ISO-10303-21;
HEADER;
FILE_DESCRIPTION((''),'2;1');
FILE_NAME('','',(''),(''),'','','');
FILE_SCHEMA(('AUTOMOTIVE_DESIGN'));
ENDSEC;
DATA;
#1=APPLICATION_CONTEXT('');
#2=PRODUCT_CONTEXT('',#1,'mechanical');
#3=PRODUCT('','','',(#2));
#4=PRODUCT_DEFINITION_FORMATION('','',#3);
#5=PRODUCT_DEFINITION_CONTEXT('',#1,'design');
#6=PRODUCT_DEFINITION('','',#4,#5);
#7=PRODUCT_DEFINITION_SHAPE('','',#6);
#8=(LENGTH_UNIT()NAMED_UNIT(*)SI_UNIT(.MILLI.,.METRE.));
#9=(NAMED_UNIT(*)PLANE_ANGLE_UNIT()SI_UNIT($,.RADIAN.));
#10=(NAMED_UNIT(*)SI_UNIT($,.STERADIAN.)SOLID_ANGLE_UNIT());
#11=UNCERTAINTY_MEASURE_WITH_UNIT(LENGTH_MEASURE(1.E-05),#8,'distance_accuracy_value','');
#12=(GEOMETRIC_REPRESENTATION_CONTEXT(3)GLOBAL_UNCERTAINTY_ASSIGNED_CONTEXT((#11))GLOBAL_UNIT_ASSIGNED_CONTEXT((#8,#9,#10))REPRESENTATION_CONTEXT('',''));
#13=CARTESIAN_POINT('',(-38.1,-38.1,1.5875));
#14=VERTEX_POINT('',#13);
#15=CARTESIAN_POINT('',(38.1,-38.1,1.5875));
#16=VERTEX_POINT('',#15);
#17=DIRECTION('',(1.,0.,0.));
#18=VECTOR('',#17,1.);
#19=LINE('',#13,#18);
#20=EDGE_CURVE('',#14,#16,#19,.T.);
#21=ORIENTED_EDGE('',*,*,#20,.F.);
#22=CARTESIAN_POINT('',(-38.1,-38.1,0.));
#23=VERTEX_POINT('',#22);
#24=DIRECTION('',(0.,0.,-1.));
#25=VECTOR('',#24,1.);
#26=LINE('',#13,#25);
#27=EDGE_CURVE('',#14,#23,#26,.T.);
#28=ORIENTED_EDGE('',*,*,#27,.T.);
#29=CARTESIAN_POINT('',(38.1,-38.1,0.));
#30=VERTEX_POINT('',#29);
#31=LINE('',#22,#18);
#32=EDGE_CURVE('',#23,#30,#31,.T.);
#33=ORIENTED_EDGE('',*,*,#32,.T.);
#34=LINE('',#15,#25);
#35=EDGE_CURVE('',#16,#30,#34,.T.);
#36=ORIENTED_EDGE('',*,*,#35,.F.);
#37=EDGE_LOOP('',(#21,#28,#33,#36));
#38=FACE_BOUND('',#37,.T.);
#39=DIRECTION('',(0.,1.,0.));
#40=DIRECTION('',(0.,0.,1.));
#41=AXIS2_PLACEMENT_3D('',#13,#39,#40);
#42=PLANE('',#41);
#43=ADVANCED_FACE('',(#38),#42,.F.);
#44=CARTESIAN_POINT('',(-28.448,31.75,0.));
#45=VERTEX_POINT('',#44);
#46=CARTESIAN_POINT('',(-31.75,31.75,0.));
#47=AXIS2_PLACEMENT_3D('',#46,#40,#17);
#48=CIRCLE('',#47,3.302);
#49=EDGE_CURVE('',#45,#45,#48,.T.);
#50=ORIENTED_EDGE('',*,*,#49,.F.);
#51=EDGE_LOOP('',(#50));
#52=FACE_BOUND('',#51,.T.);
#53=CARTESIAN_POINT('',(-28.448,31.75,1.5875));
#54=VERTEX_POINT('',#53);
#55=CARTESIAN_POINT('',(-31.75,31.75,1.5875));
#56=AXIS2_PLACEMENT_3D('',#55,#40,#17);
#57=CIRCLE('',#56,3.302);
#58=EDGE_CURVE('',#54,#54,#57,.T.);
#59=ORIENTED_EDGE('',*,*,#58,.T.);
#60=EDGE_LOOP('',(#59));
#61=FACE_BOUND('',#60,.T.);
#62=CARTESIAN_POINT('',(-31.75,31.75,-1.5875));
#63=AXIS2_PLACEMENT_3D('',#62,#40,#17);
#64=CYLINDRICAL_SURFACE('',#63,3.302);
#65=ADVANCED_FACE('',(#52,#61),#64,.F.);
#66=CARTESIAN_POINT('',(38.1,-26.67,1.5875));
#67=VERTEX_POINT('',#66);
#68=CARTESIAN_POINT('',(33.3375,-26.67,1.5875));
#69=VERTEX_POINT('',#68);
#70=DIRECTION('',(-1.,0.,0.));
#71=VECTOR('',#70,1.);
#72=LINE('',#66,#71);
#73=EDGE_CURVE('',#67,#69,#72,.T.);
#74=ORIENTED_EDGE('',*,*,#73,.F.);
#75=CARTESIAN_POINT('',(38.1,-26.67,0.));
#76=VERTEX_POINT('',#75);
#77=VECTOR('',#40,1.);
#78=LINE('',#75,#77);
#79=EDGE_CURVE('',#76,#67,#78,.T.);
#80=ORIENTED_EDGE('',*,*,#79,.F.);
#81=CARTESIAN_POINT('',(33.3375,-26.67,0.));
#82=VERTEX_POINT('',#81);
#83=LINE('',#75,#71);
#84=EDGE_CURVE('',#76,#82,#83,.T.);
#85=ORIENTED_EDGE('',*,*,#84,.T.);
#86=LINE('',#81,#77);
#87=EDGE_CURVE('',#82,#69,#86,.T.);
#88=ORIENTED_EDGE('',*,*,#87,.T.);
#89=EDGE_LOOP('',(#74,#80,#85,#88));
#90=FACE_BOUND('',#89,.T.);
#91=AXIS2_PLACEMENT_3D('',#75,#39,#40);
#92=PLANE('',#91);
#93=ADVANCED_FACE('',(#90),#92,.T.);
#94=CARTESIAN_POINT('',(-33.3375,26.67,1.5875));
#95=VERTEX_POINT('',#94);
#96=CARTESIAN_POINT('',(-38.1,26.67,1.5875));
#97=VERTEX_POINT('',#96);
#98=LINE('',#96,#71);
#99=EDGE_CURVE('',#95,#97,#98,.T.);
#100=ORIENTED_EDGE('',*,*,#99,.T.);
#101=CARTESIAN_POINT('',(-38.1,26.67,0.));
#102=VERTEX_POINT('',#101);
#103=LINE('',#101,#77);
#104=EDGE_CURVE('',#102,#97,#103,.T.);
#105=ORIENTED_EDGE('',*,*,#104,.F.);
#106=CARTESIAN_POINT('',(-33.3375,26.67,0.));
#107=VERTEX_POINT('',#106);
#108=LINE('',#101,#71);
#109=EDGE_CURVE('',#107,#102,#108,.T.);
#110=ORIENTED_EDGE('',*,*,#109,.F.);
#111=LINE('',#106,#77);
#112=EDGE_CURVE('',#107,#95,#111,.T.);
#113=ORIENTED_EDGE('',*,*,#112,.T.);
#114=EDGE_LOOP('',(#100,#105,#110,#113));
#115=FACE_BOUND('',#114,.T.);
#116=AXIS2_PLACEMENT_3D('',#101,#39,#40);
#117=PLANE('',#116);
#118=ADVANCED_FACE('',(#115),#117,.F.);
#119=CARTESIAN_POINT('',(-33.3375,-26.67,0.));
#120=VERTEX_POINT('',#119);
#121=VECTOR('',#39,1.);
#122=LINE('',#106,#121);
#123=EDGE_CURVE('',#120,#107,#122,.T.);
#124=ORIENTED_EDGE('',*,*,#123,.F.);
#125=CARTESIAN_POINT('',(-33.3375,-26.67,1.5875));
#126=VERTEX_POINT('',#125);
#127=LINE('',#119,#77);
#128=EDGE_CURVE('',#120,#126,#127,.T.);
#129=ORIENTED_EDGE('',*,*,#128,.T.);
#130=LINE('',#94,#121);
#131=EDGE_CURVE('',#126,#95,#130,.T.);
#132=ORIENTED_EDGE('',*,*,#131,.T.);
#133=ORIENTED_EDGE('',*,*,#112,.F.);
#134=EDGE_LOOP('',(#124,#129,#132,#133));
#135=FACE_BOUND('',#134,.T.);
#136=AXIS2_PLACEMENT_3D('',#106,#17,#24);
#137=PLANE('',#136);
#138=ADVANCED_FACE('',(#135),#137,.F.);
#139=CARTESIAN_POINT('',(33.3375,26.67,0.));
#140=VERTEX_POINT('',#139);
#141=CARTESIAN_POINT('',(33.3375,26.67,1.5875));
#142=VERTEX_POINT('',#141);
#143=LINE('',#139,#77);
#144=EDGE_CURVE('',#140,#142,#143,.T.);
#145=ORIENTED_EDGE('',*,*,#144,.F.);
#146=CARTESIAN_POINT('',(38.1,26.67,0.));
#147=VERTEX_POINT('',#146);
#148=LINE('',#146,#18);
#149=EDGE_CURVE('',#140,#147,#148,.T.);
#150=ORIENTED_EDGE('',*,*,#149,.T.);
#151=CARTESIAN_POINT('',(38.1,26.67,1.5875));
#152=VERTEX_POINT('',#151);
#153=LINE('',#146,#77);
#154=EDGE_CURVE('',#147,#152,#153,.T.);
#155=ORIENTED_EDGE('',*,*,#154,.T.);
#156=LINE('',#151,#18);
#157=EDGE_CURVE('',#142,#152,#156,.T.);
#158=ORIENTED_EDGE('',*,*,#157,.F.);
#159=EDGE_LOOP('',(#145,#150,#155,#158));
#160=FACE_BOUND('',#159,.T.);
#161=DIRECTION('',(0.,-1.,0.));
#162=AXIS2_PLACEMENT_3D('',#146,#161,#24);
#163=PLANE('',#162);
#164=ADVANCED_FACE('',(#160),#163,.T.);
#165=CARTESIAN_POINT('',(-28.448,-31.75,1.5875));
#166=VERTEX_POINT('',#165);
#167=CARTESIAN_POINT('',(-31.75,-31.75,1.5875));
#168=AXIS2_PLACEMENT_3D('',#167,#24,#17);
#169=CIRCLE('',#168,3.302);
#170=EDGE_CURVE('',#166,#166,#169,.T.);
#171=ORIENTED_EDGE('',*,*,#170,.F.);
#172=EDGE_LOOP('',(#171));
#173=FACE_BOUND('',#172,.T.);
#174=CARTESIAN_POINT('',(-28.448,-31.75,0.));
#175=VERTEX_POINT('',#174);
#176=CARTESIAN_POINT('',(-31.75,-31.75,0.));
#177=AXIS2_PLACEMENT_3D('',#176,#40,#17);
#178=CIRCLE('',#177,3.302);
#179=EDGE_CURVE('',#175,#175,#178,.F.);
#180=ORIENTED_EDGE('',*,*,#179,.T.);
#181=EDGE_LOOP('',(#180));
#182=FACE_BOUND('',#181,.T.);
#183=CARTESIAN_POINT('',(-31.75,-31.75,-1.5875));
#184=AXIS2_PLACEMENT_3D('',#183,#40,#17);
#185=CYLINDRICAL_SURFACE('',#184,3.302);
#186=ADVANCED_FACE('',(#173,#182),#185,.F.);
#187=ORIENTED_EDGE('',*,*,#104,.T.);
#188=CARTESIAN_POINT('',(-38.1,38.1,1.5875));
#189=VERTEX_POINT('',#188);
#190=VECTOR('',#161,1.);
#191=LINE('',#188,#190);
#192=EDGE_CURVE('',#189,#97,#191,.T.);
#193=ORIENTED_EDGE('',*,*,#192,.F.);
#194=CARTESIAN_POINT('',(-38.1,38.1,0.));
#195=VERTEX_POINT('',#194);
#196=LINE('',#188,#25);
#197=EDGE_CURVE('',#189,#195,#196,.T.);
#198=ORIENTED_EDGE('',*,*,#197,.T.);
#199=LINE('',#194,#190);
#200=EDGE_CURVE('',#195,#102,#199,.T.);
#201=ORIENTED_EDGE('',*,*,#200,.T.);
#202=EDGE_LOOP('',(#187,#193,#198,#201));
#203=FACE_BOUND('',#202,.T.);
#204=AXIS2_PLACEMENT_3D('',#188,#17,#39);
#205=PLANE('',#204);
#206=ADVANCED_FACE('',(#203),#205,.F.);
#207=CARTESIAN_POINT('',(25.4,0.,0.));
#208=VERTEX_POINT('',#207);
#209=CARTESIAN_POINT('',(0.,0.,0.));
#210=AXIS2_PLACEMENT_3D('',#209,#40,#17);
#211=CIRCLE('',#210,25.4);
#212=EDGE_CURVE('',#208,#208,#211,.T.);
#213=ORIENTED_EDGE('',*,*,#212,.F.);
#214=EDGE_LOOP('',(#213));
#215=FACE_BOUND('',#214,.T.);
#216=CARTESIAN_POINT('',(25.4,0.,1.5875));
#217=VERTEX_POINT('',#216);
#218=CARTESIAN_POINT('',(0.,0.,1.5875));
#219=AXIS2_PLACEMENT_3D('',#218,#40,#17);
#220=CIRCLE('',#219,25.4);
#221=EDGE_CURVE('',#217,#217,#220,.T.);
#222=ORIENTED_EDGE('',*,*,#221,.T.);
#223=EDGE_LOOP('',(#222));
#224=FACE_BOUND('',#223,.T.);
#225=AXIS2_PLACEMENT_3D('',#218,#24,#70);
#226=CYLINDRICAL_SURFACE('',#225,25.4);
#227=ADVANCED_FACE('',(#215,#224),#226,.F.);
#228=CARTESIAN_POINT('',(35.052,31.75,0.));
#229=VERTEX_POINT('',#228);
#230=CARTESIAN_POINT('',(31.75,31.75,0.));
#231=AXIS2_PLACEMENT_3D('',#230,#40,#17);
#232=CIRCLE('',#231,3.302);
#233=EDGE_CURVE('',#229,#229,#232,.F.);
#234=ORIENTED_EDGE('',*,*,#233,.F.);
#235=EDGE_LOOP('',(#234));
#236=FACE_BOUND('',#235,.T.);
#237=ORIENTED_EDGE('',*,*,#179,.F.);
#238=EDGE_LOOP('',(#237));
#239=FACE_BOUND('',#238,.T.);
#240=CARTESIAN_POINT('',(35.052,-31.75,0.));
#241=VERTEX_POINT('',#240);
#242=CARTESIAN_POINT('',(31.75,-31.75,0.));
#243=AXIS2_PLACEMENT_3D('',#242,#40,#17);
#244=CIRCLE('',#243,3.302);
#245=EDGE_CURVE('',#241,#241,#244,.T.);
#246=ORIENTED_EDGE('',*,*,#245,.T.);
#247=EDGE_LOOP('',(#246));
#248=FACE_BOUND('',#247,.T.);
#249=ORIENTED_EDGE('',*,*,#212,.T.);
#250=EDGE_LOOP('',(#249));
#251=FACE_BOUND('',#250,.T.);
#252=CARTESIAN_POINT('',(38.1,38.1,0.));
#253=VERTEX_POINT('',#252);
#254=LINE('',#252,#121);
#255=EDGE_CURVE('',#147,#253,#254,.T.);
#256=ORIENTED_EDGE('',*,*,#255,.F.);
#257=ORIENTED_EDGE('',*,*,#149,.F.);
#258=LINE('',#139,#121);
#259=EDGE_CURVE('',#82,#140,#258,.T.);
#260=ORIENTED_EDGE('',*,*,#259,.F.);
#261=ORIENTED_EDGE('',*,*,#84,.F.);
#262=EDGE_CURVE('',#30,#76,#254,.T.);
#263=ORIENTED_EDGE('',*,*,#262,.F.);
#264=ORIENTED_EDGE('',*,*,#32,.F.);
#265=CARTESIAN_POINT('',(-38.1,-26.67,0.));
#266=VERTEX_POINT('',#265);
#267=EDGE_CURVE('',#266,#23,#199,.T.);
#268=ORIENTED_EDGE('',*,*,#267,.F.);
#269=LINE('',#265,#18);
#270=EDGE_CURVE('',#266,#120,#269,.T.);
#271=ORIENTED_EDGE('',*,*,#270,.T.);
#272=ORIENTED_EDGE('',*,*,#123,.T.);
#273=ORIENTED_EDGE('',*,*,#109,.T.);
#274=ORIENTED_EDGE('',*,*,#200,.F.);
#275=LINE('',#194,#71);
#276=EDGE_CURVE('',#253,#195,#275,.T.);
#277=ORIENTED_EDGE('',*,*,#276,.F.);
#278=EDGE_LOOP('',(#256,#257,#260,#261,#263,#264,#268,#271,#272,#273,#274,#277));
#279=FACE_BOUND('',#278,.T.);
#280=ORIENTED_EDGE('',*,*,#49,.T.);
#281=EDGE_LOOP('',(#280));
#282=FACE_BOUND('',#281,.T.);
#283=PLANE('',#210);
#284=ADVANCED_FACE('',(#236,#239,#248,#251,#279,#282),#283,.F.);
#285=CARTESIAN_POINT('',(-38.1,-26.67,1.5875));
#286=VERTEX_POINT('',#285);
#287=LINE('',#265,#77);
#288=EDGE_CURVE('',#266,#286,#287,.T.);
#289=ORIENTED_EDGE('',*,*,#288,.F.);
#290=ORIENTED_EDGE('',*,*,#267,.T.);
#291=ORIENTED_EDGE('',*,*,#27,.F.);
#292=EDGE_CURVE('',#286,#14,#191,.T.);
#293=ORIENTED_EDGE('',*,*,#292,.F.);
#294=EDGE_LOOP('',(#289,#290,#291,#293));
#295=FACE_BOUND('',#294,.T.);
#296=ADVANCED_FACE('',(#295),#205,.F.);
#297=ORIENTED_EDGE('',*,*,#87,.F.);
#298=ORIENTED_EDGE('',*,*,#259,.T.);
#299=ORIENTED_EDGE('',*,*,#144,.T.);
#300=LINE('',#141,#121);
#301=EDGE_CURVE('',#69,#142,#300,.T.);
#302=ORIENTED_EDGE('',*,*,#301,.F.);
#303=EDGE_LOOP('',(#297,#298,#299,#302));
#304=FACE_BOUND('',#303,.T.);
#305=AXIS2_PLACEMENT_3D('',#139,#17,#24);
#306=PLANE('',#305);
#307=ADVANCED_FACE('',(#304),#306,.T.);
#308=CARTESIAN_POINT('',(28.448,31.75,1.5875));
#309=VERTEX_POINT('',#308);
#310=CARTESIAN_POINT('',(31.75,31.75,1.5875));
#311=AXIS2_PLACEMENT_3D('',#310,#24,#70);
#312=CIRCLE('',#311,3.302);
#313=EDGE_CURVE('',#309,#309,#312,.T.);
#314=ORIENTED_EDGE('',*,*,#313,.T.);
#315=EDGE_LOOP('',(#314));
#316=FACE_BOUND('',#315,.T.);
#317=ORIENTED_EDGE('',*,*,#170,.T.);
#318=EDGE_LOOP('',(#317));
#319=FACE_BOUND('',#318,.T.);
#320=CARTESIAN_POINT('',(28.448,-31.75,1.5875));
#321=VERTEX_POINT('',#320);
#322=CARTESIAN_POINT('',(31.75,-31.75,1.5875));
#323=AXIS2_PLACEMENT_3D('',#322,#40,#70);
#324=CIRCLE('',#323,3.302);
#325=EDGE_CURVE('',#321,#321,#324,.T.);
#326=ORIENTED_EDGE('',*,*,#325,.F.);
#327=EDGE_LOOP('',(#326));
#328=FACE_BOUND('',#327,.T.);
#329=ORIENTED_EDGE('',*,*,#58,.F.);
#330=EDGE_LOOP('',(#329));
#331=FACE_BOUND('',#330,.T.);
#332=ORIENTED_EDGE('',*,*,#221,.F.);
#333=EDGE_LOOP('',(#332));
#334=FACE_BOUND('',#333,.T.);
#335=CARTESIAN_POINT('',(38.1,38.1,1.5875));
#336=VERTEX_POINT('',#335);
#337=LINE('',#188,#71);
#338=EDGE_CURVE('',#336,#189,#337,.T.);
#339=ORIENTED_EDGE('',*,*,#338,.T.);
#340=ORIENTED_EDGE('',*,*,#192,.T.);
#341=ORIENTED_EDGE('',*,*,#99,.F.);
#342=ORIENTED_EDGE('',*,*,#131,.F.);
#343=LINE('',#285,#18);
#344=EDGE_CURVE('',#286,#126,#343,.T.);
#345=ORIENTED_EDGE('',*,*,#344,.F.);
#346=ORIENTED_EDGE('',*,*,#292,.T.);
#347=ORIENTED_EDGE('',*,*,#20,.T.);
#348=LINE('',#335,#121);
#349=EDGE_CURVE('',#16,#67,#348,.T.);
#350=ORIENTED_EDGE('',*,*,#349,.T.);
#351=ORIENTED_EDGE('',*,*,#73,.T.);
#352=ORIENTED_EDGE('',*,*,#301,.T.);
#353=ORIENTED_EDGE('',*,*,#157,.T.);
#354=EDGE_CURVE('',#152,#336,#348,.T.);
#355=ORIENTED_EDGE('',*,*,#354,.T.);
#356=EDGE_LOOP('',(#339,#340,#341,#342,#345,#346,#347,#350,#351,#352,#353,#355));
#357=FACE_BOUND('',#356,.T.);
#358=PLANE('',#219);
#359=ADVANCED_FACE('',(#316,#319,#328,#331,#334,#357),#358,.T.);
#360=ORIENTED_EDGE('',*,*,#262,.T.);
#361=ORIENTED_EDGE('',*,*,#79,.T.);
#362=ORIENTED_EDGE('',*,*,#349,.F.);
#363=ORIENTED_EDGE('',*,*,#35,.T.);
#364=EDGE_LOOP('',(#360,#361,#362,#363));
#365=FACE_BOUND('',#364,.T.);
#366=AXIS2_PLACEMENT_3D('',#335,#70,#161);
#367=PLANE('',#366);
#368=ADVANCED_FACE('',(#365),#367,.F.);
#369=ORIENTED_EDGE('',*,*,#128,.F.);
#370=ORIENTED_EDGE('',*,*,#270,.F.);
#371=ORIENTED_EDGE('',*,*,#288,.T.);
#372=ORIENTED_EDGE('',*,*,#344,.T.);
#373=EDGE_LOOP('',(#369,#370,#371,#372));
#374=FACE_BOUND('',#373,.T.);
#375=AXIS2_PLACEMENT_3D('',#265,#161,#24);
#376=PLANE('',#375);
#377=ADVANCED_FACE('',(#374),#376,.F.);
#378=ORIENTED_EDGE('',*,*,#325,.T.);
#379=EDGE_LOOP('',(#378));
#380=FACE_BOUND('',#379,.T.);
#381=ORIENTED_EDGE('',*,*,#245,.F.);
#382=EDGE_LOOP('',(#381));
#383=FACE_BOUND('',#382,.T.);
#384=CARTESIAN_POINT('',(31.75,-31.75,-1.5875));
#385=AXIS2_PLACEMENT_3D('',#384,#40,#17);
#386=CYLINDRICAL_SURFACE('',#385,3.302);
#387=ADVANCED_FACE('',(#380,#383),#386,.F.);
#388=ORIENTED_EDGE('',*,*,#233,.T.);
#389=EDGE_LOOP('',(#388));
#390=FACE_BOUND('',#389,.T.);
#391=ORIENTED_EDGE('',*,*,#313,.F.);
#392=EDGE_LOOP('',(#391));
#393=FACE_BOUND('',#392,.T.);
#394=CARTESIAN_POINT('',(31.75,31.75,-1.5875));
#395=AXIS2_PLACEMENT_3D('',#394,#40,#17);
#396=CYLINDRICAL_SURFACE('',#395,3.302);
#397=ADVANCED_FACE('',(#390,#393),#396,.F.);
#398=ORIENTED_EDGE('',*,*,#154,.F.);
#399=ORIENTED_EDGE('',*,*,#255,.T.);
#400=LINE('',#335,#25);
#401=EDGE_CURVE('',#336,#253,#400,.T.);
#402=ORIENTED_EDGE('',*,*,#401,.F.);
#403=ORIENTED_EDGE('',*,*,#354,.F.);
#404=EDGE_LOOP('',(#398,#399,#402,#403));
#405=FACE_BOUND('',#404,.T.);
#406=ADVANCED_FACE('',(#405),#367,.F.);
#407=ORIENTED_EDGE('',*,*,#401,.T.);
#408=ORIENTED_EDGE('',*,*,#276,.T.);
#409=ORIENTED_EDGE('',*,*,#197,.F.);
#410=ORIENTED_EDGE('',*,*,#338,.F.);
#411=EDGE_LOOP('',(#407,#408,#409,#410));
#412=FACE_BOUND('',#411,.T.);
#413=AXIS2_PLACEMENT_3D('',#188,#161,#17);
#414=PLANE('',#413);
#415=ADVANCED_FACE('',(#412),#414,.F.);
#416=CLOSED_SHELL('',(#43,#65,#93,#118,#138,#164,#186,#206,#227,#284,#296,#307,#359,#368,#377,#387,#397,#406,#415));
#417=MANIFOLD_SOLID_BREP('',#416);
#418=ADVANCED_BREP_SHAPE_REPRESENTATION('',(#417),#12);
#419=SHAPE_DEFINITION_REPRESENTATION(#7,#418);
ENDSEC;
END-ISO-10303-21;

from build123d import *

# Parameters (mm, degrees)
SKETCH1_W               = 76.2
SKETCH1_H               = 76.2
SKETCH1_R               = 25.4
BOSS_EXTRUDE1_DEPTH     = 1.5875
SKETCH2_R               = 3.302
CUT_EXTRUDE1_DEPTH      = 3.175
MIRROR2_COPY_1_SKETCH_R = 3.302
MIRROR2_COPY_1_DEPTH    = 3.175
MIRROR2_COPY_2_SKETCH_R = 3.302
MIRROR2_COPY_2_DEPTH    = 3.175
SKETCH9_W               = 4.7625
SKETCH9_H               = 53.34
CUT_EXTRUDE3_DEPTH      = 54.904917737


with BuildPart() as part:
    # Sketch1 → Boss-Extrude1 (new body)
    with BuildSketch(Plane.XY):
        Rectangle(SKETCH1_W, SKETCH1_H)
        Circle(SKETCH1_R, mode=Mode.SUBTRACT)
    extrude(amount=BOSS_EXTRUDE1_DEPTH)

    # Sketch2 → Cut-Extrude1 (cut)
    with BuildSketch(Plane.XY.offset(1.5875)):
        with Locations((-31.75, 31.75)):
            Circle(SKETCH2_R)
    cut_extrude1 = extrude(amount=-CUT_EXTRUDE1_DEPTH, mode=Mode.SUBTRACT)

    # Mirror1: Cut-Extrude1 across plane
    add(cut_extrude1.mirror(Plane(origin=(0, 0, 0), x_dir=(0, 0, 1), z_dir=(1, 0, 0))), mode=Mode.SUBTRACT)

    # Mirror2 copy 1 sketch → Mirror2 copy 1 (cut)
    with BuildSketch(Plane(origin=(0, 0, 1.5875), x_dir=(-1, 0, 0), z_dir=(0, 0, 1))):
        with Locations((-31.75, 31.75)):
            Circle(MIRROR2_COPY_1_SKETCH_R)
    extrude(amount=-MIRROR2_COPY_1_DEPTH, mode=Mode.SUBTRACT)

    # Mirror2 copy 2 sketch → Mirror2 copy 2 (cut)
    with BuildSketch(Plane.XY.offset(1.5875)):
        with Locations((-31.75, -31.75)):
            Circle(MIRROR2_COPY_2_SKETCH_R)
    extrude(amount=-MIRROR2_COPY_2_DEPTH, mode=Mode.SUBTRACT)

    # Sketch9 → Cut-Extrude3 (cut, through all)
    with BuildSketch(Plane.XY.offset(1.5875)):
        with Locations((-35.71875, 0)):
            Rectangle(SKETCH9_W, SKETCH9_H)
    cut_extrude3 = extrude(amount=-CUT_EXTRUDE3_DEPTH, mode=Mode.SUBTRACT)

    # Mirror3: Cut-Extrude3 across plane
    add(cut_extrude3.mirror(Plane(origin=(0, 0, 0), x_dir=(0, 0, 1), z_dir=(1, 0, 0))), mode=Mode.SUBTRACT)


solid = part.part
